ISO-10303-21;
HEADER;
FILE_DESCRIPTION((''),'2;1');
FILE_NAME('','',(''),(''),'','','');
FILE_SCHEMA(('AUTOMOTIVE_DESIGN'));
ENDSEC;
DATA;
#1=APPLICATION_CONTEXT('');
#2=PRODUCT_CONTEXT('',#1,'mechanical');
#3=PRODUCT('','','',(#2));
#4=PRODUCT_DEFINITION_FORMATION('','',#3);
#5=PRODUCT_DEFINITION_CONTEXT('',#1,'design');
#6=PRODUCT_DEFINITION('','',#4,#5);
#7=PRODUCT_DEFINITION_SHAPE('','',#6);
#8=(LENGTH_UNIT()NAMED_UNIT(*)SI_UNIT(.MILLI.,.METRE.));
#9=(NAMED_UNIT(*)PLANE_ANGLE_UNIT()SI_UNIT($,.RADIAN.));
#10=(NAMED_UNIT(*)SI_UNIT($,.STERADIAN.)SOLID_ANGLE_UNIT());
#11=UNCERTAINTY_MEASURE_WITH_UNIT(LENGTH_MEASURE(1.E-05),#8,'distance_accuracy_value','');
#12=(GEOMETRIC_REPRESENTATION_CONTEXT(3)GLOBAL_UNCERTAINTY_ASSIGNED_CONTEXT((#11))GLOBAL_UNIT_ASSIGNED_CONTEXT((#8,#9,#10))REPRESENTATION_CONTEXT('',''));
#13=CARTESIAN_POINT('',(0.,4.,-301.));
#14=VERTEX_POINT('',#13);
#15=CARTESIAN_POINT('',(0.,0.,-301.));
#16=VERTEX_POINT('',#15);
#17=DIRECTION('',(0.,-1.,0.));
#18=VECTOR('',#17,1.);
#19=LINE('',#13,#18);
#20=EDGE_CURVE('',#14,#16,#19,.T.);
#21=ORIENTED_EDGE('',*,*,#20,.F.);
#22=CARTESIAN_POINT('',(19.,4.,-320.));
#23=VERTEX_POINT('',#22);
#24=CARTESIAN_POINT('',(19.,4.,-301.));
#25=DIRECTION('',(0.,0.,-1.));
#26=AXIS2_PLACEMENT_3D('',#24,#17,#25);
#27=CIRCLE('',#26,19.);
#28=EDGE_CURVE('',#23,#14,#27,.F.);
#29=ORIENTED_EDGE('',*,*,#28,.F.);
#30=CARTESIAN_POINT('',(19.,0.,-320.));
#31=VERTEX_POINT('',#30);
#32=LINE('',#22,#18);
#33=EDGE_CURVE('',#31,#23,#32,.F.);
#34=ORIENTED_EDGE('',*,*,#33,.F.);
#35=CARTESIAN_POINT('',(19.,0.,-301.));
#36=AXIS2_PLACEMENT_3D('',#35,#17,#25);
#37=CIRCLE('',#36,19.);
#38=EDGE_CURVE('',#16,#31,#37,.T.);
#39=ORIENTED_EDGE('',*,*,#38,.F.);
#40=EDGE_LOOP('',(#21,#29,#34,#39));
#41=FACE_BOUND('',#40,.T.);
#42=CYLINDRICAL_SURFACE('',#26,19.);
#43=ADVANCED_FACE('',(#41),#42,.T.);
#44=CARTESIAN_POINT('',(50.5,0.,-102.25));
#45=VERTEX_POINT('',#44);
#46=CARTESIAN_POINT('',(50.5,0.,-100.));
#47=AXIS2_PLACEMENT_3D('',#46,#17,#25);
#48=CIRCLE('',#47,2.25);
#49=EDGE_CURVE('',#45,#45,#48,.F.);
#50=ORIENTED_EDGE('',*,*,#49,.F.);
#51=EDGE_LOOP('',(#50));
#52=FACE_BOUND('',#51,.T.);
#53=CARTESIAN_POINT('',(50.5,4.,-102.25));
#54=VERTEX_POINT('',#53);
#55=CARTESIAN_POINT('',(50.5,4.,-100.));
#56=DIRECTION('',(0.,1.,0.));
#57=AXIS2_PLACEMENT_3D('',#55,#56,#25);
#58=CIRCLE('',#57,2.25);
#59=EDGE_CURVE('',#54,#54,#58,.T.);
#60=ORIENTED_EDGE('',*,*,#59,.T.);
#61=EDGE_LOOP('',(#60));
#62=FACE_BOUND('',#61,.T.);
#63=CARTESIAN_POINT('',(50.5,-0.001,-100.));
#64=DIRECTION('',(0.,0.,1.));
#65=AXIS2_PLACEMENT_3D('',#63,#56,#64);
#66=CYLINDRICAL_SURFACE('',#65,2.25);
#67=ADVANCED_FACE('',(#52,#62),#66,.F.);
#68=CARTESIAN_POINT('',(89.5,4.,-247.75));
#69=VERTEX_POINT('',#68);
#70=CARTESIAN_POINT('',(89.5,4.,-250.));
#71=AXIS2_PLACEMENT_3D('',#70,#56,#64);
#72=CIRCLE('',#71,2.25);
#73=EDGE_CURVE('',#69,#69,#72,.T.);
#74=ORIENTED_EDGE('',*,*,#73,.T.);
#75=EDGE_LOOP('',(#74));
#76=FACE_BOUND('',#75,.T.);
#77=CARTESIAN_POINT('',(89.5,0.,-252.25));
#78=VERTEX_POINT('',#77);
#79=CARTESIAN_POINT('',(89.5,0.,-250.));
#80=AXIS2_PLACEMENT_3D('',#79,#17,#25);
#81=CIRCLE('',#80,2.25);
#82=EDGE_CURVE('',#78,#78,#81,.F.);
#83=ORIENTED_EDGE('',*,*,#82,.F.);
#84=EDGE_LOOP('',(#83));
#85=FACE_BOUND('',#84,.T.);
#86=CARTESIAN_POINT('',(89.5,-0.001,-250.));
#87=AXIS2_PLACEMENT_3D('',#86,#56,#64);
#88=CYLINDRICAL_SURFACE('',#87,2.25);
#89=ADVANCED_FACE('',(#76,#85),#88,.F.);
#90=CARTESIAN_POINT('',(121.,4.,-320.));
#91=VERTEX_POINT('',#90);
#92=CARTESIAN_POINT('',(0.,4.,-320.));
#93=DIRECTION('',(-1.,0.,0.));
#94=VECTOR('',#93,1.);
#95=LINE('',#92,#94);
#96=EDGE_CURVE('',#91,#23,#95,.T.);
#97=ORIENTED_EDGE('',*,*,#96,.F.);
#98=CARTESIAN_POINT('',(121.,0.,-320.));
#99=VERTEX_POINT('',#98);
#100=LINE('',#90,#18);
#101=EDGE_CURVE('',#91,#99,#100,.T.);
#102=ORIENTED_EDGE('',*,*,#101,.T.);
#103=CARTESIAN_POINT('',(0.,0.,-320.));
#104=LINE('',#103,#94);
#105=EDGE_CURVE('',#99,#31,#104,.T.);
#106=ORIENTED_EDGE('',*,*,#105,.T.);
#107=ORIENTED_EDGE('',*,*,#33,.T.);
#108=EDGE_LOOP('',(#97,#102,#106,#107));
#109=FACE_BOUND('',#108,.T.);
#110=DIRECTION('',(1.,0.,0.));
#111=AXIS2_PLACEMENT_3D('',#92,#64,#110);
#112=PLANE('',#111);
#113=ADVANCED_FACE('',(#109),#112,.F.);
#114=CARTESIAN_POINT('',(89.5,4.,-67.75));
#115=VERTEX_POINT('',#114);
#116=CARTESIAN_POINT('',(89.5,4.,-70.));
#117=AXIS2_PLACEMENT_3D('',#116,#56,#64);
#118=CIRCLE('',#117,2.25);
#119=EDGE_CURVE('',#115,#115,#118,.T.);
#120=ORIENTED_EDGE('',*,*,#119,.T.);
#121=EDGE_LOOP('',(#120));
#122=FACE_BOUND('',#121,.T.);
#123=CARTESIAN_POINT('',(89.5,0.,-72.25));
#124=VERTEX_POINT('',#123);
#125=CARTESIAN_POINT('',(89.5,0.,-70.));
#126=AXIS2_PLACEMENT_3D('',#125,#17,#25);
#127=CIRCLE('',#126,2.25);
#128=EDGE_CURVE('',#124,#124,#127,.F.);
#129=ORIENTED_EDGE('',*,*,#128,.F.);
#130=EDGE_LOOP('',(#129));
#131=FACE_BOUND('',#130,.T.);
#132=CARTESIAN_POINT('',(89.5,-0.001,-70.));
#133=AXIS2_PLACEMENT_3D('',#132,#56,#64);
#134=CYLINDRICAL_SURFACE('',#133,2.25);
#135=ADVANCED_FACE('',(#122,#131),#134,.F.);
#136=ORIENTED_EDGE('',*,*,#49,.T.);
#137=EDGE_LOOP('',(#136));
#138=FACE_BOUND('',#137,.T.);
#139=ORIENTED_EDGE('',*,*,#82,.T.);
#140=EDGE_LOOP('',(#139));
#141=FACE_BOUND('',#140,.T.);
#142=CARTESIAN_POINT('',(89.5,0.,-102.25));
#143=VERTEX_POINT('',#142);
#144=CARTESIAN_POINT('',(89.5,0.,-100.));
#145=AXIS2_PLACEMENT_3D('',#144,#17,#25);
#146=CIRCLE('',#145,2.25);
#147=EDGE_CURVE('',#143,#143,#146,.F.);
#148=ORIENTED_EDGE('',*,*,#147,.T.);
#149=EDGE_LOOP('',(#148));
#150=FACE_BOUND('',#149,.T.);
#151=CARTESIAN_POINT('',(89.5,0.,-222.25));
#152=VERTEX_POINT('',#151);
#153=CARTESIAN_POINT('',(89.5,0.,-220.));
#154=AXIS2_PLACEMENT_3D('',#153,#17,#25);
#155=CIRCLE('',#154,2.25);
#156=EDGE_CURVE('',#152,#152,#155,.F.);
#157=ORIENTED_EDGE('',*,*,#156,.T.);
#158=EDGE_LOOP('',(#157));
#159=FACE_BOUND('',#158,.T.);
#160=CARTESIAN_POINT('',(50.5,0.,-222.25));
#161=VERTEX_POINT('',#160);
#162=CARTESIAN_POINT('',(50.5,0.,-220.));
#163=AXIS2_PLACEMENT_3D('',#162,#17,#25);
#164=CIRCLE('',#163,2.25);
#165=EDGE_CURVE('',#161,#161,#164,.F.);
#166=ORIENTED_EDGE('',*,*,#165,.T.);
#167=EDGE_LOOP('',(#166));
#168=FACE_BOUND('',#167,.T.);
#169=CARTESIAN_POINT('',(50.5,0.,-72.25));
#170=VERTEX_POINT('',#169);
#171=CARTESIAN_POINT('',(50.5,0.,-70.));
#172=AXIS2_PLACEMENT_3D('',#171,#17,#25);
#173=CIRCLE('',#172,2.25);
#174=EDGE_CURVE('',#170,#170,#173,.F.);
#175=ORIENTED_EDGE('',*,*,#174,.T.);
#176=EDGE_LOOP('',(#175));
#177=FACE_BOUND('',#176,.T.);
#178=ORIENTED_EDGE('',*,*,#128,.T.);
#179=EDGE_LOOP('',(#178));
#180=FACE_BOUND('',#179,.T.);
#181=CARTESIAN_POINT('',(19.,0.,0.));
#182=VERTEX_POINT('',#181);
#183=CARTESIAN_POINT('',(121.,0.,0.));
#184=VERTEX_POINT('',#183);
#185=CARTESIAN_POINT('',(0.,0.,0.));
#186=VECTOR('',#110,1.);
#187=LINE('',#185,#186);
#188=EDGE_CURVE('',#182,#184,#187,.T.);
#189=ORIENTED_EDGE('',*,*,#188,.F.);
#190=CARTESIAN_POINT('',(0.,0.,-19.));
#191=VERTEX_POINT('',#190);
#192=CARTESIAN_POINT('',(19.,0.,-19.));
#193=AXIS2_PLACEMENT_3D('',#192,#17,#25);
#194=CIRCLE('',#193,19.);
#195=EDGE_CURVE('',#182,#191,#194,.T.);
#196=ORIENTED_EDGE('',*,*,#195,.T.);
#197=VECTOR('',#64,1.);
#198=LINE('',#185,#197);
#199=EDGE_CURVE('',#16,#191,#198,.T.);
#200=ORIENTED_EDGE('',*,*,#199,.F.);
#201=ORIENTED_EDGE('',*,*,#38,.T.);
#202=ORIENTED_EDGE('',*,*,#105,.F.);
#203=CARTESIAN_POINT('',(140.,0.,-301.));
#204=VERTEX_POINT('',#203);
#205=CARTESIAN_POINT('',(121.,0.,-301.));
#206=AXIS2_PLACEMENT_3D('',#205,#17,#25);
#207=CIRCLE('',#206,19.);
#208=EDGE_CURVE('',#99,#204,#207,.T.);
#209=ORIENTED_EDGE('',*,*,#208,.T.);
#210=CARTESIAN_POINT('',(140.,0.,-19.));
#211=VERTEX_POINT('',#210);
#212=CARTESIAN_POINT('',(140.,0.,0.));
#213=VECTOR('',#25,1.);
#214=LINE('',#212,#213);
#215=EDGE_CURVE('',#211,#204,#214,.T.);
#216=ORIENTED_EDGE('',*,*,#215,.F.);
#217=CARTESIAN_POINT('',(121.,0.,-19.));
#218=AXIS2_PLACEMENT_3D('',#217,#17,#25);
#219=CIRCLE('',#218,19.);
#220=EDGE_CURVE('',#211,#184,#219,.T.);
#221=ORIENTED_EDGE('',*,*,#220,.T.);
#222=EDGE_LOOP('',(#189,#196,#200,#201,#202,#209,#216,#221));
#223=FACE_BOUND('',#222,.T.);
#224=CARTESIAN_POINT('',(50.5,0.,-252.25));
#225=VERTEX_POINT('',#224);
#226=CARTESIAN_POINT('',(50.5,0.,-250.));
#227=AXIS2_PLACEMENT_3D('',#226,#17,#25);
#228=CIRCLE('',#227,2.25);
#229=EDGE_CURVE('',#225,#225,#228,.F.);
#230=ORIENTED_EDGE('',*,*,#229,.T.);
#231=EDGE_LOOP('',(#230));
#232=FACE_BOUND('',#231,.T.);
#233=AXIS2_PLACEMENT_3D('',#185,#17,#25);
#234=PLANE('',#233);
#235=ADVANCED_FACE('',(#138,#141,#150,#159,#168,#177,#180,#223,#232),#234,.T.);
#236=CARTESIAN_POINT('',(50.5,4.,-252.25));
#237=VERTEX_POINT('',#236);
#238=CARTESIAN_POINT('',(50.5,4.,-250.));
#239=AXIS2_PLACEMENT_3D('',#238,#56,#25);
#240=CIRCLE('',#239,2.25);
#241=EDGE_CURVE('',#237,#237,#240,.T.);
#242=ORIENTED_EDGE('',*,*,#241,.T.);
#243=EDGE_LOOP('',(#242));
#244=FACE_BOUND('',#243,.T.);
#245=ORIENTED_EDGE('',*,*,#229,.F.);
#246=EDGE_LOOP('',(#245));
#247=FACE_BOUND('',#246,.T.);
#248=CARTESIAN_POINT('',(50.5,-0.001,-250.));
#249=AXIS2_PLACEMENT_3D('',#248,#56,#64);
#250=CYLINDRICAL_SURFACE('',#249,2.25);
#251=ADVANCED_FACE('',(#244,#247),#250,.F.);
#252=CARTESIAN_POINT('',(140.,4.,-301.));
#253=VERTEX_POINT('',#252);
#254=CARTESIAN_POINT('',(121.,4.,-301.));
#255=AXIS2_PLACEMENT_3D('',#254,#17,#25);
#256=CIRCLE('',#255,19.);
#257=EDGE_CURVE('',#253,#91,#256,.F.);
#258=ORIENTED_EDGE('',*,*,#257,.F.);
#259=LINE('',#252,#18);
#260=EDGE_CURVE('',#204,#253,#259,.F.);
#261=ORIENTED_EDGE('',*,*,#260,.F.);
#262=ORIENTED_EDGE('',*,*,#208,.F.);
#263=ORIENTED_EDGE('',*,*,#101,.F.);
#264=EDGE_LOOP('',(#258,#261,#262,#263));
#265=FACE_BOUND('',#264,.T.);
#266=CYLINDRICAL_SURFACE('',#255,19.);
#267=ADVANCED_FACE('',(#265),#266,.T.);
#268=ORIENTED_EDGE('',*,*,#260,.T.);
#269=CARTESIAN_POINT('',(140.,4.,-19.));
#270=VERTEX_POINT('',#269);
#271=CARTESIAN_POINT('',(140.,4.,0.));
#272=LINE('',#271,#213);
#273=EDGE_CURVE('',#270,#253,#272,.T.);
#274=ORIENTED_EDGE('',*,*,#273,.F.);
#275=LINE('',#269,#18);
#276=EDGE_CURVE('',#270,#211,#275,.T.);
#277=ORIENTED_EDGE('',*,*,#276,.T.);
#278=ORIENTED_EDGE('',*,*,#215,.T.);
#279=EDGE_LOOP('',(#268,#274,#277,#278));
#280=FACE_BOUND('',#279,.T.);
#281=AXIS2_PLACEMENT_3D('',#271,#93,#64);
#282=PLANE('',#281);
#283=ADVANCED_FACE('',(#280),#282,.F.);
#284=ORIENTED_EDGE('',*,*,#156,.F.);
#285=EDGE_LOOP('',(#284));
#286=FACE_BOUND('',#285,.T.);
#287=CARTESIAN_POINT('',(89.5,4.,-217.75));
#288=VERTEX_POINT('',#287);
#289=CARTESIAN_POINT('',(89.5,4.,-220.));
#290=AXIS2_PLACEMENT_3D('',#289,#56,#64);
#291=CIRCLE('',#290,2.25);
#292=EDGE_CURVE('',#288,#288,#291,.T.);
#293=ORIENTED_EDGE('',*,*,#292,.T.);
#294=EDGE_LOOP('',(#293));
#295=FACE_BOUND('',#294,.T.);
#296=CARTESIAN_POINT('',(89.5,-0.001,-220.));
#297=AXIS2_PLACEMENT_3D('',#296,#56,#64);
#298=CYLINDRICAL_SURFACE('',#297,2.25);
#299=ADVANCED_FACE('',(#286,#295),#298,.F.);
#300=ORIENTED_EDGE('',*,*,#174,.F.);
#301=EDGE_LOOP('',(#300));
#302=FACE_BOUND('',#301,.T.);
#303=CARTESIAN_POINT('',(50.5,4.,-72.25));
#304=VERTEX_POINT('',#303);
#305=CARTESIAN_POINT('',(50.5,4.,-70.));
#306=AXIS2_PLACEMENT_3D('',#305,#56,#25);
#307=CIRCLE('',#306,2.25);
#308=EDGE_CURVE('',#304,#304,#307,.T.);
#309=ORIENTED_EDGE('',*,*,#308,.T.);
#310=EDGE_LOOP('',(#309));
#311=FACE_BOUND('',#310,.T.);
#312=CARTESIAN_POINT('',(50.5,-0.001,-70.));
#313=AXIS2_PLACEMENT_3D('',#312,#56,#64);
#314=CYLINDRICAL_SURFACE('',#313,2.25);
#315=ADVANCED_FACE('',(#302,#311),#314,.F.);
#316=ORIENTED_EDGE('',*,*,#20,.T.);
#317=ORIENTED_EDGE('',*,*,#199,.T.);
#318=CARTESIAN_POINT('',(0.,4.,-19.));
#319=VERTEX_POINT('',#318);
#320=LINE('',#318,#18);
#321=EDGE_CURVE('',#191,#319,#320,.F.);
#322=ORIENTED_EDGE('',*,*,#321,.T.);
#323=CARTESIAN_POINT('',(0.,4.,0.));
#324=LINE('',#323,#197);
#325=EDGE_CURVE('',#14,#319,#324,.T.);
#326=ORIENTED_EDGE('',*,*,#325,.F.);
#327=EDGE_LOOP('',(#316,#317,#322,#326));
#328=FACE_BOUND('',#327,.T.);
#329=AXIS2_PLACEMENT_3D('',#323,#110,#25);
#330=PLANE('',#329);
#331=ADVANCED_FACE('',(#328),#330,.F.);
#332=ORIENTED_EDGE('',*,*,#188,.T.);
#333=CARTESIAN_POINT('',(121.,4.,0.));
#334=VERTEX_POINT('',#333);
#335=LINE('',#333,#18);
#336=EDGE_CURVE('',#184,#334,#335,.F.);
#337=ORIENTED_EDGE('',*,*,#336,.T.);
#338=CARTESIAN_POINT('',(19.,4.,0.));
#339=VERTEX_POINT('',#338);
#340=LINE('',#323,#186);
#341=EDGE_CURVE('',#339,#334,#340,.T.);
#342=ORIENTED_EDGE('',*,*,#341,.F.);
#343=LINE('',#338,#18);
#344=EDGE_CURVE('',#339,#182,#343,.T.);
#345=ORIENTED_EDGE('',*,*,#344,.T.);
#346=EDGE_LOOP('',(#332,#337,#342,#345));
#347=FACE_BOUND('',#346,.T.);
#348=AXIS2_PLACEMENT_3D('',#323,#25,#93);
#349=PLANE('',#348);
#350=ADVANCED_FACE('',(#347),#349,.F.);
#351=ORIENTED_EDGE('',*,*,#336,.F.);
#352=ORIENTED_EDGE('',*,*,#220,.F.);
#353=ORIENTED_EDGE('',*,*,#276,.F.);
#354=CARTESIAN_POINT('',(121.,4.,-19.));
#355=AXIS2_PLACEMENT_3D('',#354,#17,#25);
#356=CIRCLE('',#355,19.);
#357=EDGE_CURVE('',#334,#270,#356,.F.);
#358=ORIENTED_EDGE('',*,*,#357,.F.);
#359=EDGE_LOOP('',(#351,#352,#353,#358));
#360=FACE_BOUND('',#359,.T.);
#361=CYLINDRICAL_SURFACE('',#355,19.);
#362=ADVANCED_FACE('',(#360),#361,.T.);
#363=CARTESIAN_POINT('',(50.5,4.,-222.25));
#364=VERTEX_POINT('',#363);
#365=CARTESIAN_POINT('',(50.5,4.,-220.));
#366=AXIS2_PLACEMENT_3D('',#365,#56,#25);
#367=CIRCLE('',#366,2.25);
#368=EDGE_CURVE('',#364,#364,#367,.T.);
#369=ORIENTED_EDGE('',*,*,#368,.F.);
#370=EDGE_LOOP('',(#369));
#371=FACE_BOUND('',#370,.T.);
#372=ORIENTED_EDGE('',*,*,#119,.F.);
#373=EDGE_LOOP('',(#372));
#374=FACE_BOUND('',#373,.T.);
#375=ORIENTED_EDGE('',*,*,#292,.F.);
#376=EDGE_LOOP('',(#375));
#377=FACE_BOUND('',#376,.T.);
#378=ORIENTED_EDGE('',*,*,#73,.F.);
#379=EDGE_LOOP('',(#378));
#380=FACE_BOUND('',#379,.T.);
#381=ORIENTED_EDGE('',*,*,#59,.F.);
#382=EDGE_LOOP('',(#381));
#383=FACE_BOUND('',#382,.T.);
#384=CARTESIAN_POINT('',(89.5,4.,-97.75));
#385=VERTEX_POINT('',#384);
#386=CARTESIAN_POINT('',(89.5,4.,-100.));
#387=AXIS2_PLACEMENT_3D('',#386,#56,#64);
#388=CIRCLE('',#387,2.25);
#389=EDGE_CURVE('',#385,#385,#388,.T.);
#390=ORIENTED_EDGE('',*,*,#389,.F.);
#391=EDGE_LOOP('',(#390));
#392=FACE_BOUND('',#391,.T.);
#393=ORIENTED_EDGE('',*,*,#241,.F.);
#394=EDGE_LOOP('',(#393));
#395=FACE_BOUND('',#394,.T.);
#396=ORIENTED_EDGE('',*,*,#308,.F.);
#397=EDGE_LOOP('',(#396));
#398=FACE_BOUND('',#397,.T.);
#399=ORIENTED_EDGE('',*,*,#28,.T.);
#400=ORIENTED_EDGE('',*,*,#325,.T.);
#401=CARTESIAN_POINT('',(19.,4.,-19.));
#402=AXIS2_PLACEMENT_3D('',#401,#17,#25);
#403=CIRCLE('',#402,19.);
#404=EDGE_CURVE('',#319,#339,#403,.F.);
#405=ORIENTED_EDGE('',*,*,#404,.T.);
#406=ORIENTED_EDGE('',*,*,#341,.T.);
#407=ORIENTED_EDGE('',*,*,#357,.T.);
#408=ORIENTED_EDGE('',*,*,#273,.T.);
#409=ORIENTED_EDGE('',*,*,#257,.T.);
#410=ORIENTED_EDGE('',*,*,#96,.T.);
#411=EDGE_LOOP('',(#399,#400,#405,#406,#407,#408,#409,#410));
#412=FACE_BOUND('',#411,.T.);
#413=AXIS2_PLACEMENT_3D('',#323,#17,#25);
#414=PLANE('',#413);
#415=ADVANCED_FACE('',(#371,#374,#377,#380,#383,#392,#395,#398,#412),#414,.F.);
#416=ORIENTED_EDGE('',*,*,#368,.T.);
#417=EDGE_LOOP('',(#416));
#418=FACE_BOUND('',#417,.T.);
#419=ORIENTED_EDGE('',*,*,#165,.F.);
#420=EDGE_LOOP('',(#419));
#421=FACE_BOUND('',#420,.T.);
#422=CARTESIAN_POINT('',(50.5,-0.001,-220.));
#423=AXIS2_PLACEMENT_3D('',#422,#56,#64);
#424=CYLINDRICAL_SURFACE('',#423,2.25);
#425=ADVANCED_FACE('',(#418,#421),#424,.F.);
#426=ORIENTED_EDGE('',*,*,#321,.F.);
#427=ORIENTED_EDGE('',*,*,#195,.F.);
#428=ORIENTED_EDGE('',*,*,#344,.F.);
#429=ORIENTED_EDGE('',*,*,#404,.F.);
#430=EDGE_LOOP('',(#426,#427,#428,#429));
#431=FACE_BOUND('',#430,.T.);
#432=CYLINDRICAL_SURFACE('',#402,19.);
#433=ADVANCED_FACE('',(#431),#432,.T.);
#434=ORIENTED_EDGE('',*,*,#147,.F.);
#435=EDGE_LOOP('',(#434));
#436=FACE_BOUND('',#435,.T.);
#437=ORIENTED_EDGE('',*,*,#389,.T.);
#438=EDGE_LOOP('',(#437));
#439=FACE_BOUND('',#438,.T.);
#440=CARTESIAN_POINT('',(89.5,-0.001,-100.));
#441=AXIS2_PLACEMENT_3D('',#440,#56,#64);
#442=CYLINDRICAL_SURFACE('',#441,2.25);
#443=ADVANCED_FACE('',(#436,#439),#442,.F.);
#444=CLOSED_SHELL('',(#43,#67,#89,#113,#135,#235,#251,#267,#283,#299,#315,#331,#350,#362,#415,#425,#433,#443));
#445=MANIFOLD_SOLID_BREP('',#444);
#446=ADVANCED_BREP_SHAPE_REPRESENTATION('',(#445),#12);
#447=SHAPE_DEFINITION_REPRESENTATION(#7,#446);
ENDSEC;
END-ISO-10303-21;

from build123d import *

# Parameters (mm, degrees)
SKETCH1_W           = 140
SKETCH1_H           = 320
BOSS_EXTRUDE1_DEPTH = 4
CUT_EXTRUDE1_REACH  = 6
SKETCH2_R           = 2.25
FILLET1_R           = 19


with BuildPart() as part:
    # Sketch1 → Boss-Extrude1 (new body)
    with BuildSketch(Plane(origin=(0, 0, 0), x_dir=(1, 0, 0), z_dir=(0, 1, 0))):
        with Locations((70, 160)):
            Rectangle(SKETCH1_W, SKETCH1_H)
    extrude(amount=BOSS_EXTRUDE1_DEPTH)

    # Sketch2 → Cut-Extrude1 (cut, up to next)
    with BuildSketch(Plane(origin=(0, 4, 0), x_dir=(1, 0, 0), z_dir=(0, 1, 0)), mode=Mode.PRIVATE) as cut_extrude1_sk1:
        with Locations((89.5, 250)):
            Circle(SKETCH2_R)
    cut_extrude1_tool1 = extrude(cut_extrude1_sk1.sketch, amount=-CUT_EXTRUDE1_REACH, mode=Mode.PRIVATE) & part.part
    add(cut_extrude1_tool1.solids().sort_by_distance((89.5, 4, -250))[0], mode=Mode.SUBTRACT)
    # Sketch2 → Cut-Extrude1 (cut, up to next)
    with BuildSketch(Plane(origin=(0, 4, 0), x_dir=(1, 0, 0), z_dir=(0, 1, 0)), mode=Mode.PRIVATE) as cut_extrude1_sk2:
        with Locations((89.5, 220)):
            Circle(SKETCH2_R)
    cut_extrude1_tool2 = extrude(cut_extrude1_sk2.sketch, amount=-CUT_EXTRUDE1_REACH, mode=Mode.PRIVATE) & part.part
    add(cut_extrude1_tool2.solids().sort_by_distance((89.5, 4, -220))[0], mode=Mode.SUBTRACT)
    # Sketch2 → Cut-Extrude1 (cut, up to next)
    with BuildSketch(Plane(origin=(0, 4, 0), x_dir=(1, 0, 0), z_dir=(0, 1, 0)), mode=Mode.PRIVATE) as cut_extrude1_sk3:
        with Locations((89.5, 100)):
            Circle(SKETCH2_R)
    cut_extrude1_tool3 = extrude(cut_extrude1_sk3.sketch, amount=-CUT_EXTRUDE1_REACH, mode=Mode.PRIVATE) & part.part
    add(cut_extrude1_tool3.solids().sort_by_distance((89.5, 4, -100))[0], mode=Mode.SUBTRACT)
    # Sketch2 → Cut-Extrude1 (cut, up to next)
    with BuildSketch(Plane(origin=(0, 4, 0), x_dir=(1, 0, 0), z_dir=(0, 1, 0)), mode=Mode.PRIVATE) as cut_extrude1_sk4:
        with Locations((89.5, 70)):
            Circle(SKETCH2_R)
    cut_extrude1_tool4 = extrude(cut_extrude1_sk4.sketch, amount=-CUT_EXTRUDE1_REACH, mode=Mode.PRIVATE) & part.part
    add(cut_extrude1_tool4.solids().sort_by_distance((89.5, 4, -70))[0], mode=Mode.SUBTRACT)
    # Sketch2 → Cut-Extrude1 (cut, up to next)
    with BuildSketch(Plane(origin=(0, 4, 0), x_dir=(1, 0, 0), z_dir=(0, 1, 0)), mode=Mode.PRIVATE) as cut_extrude1_sk5:
        with Locations((50.5, 70)):
            Circle(SKETCH2_R)
    cut_extrude1_tool5 = extrude(cut_extrude1_sk5.sketch, amount=-CUT_EXTRUDE1_REACH, mode=Mode.PRIVATE) & part.part
    add(cut_extrude1_tool5.solids().sort_by_distance((50.5, 4, -70))[0], mode=Mode.SUBTRACT)
    # Sketch2 → Cut-Extrude1 (cut, up to next)
    with BuildSketch(Plane(origin=(0, 4, 0), x_dir=(1, 0, 0), z_dir=(0, 1, 0)), mode=Mode.PRIVATE) as cut_extrude1_sk6:
        with Locations((50.5, 100)):
            Circle(SKETCH2_R)
    cut_extrude1_tool6 = extrude(cut_extrude1_sk6.sketch, amount=-CUT_EXTRUDE1_REACH, mode=Mode.PRIVATE) & part.part
    add(cut_extrude1_tool6.solids().sort_by_distance((50.5, 4, -100))[0], mode=Mode.SUBTRACT)
    # Sketch2 → Cut-Extrude1 (cut, up to next)
    with BuildSketch(Plane(origin=(0, 4, 0), x_dir=(1, 0, 0), z_dir=(0, 1, 0)), mode=Mode.PRIVATE) as cut_extrude1_sk7:
        with Locations((50.5, 220)):
            Circle(SKETCH2_R)
    cut_extrude1_tool7 = extrude(cut_extrude1_sk7.sketch, amount=-CUT_EXTRUDE1_REACH, mode=Mode.PRIVATE) & part.part
    add(cut_extrude1_tool7.solids().sort_by_distance((50.5, 4, -220))[0], mode=Mode.SUBTRACT)
    # Sketch2 → Cut-Extrude1 (cut, up to next)
    with BuildSketch(Plane(origin=(0, 4, 0), x_dir=(1, 0, 0), z_dir=(0, 1, 0)), mode=Mode.PRIVATE) as cut_extrude1_sk8:
        with Locations((50.5, 250)):
            Circle(SKETCH2_R)
    cut_extrude1_tool8 = extrude(cut_extrude1_sk8.sketch, amount=-CUT_EXTRUDE1_REACH, mode=Mode.PRIVATE) & part.part
    add(cut_extrude1_tool8.solids().sort_by_distance((50.5, 4, -250))[0], mode=Mode.SUBTRACT)

    # Fillet1
    fillet1_edges = [part.edges().sort_by_distance(p)[0] for p in [
        (0, 2, -320),
        (140, 2, -320),
        (140, 2, 0),
        (0, 2, 0),
    ]]
    fillet(fillet1_edges, radius=FILLET1_R)


solid = part.part
